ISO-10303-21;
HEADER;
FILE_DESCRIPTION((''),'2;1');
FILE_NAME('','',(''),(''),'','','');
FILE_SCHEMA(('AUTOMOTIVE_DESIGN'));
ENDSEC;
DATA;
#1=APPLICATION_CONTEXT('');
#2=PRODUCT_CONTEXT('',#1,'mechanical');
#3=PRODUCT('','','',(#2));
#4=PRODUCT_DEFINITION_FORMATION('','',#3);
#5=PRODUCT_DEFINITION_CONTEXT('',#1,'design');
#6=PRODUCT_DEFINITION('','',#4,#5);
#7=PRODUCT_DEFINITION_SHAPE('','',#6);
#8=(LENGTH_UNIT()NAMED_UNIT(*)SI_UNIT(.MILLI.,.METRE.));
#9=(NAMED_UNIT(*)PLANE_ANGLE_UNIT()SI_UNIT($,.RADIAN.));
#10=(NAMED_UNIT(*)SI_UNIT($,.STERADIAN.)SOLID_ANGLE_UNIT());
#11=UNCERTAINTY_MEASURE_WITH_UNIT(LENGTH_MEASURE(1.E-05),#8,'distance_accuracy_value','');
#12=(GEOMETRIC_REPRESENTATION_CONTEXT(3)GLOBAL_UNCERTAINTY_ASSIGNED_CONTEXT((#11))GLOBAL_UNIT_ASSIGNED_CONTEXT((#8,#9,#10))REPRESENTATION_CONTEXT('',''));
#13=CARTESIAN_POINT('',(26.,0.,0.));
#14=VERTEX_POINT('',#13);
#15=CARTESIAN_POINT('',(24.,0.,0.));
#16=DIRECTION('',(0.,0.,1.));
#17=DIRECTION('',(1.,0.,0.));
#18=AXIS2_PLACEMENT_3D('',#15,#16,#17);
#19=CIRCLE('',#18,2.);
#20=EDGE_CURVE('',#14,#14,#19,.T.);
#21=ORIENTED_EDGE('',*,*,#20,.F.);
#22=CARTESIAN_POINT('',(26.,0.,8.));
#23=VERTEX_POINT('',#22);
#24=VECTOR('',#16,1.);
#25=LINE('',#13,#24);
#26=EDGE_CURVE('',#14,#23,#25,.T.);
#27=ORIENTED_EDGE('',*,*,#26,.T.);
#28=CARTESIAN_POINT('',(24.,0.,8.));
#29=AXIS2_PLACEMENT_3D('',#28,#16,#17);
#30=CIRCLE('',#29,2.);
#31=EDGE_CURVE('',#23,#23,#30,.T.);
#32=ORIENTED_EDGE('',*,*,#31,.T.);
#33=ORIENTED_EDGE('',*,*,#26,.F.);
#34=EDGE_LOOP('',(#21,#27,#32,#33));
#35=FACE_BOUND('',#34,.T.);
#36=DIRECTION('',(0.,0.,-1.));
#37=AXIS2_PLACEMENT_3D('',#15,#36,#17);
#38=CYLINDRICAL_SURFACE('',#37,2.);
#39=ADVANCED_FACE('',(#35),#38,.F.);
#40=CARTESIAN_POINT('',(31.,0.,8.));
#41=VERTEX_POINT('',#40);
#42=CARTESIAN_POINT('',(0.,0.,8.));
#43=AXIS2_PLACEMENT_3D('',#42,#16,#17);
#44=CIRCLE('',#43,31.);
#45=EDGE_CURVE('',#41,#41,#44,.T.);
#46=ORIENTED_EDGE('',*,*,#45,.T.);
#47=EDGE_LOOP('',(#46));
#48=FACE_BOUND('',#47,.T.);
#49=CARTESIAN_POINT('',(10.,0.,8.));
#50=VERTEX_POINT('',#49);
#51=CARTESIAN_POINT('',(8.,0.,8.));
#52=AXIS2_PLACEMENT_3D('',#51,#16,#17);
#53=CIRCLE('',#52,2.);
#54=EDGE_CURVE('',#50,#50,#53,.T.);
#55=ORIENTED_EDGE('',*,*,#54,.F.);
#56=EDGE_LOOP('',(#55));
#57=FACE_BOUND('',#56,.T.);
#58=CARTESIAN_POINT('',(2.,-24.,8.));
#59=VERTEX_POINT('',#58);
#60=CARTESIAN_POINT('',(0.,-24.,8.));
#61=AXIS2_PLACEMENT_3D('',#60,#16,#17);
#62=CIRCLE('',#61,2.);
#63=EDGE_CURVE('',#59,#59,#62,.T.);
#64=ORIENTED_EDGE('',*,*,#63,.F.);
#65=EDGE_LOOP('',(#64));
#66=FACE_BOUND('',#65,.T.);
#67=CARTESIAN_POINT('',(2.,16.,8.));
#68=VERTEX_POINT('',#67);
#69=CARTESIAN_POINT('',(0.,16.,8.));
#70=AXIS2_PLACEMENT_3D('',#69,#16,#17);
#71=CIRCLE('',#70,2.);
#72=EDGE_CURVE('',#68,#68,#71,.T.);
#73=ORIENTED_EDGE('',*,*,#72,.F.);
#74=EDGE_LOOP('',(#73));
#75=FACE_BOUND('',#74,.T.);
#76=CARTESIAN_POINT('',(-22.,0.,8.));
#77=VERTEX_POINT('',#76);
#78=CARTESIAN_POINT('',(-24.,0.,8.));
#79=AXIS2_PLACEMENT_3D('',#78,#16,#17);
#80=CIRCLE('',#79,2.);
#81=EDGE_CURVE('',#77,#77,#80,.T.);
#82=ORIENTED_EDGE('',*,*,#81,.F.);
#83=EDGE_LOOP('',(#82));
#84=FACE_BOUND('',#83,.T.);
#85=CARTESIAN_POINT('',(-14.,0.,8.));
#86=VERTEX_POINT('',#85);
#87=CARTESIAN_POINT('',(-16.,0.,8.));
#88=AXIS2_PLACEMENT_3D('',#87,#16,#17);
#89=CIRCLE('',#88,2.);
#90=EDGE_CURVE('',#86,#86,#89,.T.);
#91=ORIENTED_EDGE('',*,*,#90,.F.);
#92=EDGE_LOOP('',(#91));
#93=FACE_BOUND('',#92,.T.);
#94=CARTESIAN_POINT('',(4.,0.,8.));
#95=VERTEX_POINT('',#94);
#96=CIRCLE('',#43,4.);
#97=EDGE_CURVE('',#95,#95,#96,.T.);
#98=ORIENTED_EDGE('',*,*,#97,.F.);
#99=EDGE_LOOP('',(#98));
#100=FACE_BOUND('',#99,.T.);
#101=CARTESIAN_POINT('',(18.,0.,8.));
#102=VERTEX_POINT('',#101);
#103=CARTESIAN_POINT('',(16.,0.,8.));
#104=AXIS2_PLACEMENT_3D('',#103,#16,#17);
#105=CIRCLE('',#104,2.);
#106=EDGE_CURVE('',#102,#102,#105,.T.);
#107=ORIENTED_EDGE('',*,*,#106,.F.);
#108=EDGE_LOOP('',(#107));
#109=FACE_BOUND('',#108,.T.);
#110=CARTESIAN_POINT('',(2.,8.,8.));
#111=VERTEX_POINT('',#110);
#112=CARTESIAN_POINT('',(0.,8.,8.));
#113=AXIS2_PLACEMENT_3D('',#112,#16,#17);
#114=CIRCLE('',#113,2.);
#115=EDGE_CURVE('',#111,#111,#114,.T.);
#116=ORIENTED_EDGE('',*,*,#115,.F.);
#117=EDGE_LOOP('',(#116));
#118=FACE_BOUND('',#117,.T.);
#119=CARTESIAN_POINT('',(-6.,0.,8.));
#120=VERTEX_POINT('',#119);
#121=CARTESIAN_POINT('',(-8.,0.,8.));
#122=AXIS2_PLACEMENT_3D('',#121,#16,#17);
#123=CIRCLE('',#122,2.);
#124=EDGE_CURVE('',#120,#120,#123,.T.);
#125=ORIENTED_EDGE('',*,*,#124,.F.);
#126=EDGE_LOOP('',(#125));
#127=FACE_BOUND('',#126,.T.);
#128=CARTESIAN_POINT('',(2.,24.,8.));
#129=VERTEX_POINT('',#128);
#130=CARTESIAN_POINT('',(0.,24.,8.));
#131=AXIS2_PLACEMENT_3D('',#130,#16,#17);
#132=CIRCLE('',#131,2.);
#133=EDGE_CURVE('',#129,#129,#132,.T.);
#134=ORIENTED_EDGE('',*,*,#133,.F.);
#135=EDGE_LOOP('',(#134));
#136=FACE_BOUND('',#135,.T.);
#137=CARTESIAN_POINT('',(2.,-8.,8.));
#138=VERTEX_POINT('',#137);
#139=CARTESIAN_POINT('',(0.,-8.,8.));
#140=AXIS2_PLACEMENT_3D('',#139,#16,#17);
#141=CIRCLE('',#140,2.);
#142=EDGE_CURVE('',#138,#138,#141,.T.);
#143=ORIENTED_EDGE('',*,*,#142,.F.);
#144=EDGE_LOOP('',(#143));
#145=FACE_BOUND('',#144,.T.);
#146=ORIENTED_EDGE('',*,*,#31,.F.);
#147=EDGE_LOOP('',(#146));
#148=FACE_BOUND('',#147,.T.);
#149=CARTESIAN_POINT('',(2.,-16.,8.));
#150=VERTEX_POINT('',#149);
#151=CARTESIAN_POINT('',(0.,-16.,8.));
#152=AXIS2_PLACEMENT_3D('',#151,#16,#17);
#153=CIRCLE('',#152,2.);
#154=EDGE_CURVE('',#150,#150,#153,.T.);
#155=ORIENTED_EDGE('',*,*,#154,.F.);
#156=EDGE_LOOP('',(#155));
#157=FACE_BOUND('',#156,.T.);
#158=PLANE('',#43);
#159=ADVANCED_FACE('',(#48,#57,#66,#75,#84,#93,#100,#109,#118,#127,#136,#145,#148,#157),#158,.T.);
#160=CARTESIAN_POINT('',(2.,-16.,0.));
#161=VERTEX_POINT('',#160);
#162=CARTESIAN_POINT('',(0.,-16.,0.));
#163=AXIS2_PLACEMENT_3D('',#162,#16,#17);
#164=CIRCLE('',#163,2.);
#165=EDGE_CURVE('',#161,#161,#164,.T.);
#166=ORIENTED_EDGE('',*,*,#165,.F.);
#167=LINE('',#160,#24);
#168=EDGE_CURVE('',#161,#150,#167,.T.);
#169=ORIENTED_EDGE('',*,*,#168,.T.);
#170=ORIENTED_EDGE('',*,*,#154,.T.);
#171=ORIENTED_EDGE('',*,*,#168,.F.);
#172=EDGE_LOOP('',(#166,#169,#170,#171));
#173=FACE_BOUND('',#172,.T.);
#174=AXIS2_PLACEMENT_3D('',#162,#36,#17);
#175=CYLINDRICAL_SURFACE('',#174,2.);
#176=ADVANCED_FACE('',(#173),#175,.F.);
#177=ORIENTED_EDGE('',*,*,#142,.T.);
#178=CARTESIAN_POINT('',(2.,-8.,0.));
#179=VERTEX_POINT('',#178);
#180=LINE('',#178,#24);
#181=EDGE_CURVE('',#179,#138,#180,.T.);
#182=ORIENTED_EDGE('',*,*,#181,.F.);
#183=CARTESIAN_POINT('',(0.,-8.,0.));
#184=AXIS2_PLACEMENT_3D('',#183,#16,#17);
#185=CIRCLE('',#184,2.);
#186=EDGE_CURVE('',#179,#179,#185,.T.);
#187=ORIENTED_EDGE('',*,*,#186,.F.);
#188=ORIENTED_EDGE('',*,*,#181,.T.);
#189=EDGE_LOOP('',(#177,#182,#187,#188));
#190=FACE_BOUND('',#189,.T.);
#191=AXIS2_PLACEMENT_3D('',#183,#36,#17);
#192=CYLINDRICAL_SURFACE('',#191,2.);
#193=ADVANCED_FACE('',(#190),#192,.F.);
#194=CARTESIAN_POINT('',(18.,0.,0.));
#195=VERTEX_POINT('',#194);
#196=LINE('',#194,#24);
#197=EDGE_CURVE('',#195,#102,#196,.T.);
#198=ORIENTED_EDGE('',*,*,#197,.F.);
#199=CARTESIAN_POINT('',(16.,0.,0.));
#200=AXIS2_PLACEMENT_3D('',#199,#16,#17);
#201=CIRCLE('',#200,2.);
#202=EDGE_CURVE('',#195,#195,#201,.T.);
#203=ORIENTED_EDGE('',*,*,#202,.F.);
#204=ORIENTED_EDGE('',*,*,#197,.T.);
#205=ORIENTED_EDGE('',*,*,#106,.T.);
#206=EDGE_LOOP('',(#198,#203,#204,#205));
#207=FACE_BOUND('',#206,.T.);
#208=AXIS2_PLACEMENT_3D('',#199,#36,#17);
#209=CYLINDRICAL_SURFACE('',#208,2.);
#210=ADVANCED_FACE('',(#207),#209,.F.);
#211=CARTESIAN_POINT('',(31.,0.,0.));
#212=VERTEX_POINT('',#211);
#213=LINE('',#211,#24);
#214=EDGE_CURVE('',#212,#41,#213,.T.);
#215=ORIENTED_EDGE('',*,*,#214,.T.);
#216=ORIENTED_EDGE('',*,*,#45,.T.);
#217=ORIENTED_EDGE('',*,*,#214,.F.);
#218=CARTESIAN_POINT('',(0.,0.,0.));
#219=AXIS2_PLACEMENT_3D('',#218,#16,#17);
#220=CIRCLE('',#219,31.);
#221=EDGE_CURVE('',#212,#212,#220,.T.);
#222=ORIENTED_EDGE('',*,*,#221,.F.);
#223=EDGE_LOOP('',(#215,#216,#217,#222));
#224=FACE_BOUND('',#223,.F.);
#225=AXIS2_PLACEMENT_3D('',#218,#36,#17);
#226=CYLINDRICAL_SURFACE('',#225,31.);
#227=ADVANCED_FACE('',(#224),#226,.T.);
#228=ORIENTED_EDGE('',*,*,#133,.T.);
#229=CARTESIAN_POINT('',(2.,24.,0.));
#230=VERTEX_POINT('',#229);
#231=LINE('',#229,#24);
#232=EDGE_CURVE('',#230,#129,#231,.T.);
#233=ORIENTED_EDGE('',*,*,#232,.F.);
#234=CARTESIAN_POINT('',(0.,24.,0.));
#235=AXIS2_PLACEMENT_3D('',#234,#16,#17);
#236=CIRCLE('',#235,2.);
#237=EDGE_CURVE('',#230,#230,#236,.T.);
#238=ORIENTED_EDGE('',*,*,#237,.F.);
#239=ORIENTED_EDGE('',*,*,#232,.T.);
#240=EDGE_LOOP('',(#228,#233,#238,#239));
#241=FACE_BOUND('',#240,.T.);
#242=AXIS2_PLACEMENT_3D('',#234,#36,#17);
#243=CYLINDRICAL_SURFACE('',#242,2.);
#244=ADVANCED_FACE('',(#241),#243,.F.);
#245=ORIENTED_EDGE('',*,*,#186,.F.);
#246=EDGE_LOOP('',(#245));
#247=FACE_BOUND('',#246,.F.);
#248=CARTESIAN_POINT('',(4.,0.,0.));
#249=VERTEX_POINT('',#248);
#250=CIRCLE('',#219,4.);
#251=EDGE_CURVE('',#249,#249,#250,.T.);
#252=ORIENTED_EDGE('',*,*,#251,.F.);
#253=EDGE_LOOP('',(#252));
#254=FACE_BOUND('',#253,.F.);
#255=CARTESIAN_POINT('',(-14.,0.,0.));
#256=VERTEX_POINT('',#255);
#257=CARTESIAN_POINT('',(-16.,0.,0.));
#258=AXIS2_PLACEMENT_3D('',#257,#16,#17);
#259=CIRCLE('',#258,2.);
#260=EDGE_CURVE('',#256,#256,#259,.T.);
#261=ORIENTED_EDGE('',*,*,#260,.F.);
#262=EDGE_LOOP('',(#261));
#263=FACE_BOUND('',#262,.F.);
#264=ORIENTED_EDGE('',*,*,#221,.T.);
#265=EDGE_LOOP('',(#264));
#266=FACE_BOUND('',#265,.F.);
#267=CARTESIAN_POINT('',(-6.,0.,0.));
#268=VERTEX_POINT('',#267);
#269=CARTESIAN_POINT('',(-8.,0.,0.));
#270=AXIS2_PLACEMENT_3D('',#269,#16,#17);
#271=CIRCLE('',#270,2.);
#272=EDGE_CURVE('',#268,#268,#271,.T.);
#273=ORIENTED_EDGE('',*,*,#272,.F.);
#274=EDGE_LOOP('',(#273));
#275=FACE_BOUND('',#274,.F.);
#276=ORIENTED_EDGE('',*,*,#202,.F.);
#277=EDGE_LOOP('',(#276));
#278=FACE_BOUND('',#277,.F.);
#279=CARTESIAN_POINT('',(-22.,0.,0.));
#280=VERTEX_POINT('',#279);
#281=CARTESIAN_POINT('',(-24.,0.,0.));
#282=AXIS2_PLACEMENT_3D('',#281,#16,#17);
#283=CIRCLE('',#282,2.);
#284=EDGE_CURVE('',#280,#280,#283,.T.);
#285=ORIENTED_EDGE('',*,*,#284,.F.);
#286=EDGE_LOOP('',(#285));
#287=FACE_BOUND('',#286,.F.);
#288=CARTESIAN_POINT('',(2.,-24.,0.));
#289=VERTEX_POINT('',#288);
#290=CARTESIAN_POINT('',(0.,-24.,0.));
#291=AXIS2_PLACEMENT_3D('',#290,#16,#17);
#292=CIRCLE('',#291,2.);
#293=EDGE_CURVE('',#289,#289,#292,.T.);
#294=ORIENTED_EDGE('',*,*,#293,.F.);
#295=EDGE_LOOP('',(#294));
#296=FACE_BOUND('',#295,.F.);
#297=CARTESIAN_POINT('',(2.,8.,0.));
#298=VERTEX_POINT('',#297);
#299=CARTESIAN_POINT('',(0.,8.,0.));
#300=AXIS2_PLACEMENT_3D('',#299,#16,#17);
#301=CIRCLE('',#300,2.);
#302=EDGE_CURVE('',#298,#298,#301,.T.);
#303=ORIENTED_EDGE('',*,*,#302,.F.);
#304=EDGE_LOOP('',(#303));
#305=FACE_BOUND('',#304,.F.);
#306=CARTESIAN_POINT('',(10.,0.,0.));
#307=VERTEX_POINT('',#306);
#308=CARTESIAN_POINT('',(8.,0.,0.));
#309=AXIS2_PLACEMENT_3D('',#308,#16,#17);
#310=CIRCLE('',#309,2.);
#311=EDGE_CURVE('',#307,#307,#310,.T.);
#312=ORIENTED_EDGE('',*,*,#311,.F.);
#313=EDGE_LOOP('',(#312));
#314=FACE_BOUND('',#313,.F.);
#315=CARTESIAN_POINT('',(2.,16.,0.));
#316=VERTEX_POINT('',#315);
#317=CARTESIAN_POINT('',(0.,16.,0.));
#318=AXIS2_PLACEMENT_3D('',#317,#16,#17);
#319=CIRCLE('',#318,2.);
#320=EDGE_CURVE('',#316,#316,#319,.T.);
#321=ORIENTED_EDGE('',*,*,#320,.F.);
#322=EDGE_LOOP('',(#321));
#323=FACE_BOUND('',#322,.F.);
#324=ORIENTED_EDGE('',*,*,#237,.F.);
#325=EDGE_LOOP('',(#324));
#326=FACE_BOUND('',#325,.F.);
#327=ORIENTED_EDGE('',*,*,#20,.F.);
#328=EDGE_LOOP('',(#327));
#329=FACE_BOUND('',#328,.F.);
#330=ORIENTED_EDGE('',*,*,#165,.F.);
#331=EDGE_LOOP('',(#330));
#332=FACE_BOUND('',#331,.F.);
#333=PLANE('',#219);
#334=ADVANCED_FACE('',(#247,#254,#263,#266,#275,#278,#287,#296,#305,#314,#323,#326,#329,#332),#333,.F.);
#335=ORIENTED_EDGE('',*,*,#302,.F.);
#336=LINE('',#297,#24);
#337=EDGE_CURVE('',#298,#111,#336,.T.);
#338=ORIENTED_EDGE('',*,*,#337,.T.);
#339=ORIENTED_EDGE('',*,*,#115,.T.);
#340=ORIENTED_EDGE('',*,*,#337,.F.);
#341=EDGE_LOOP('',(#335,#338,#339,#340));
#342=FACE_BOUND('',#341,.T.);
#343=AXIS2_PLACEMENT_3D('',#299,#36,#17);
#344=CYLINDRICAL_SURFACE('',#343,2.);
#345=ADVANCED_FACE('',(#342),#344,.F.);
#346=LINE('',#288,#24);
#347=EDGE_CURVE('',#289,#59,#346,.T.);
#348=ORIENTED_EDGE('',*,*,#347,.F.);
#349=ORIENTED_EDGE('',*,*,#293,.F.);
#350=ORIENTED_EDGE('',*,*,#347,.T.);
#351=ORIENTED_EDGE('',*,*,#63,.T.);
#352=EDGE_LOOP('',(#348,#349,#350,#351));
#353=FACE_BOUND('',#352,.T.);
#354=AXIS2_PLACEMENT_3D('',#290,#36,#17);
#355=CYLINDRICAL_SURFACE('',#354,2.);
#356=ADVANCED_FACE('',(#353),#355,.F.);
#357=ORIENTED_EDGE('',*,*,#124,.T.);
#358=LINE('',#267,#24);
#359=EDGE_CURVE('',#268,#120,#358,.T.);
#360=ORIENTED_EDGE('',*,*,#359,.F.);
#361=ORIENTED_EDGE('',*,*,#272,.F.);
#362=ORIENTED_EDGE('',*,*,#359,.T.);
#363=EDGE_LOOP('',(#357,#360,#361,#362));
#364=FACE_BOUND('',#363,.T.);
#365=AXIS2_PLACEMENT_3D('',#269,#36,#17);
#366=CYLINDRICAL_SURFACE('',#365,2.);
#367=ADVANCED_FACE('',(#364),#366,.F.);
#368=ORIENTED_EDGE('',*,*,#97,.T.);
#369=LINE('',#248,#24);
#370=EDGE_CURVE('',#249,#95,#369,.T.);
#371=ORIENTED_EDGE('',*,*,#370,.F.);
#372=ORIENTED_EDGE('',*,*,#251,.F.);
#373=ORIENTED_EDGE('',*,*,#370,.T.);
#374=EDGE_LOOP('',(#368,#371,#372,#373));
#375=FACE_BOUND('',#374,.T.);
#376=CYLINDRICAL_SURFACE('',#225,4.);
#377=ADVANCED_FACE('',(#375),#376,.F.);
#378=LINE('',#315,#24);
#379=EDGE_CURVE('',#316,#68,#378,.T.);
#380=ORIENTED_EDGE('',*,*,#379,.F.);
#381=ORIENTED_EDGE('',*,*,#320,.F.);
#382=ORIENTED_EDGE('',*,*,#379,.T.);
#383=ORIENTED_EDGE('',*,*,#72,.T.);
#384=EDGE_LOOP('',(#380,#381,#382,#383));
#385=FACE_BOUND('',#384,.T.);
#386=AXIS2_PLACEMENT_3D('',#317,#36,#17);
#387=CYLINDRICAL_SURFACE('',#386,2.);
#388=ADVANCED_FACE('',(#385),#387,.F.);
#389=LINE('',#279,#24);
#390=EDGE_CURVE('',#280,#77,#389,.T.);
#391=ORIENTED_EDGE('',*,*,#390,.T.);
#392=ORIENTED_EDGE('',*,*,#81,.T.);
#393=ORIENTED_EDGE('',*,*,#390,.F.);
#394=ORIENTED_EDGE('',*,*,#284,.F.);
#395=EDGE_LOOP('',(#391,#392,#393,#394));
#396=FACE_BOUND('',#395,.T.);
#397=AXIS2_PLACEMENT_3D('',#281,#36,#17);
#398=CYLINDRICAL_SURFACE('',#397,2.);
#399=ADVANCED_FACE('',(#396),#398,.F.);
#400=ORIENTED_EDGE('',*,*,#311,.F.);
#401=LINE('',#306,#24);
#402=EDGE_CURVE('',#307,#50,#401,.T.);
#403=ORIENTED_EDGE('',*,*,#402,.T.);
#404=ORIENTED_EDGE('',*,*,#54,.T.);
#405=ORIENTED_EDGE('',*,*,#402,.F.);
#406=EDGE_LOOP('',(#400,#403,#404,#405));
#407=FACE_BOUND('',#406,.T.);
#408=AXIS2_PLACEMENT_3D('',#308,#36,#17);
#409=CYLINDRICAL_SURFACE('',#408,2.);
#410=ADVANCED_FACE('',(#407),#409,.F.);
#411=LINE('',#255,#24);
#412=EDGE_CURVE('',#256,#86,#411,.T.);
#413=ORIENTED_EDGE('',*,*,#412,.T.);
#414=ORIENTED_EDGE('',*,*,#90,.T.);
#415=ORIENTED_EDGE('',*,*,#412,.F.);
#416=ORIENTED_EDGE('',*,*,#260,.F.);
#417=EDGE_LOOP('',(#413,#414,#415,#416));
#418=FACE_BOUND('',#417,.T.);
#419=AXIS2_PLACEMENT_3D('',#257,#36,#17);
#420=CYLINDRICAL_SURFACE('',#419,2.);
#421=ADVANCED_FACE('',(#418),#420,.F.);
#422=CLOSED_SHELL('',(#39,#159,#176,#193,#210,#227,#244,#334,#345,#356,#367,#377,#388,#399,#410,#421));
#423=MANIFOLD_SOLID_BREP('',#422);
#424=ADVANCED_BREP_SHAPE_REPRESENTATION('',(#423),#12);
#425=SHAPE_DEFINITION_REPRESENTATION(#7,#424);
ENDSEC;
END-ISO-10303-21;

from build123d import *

# Parameters (mm, degrees)
F0_R     = 31
F0_R_2   = 2
F0_R_3   = 4
F1_DEPTH = 8


with BuildPart() as f1:
    # F0 (on Top) → F1 (new body)
    with BuildSketch(Plane.XY):
        Circle(F0_R)
        with Locations((0, -24)):
            Circle(F0_R_2, mode=Mode.SUBTRACT)
        with Locations((0, -16)):
            Circle(F0_R_2, mode=Mode.SUBTRACT)
        with Locations((0, -8)):
            Circle(F0_R_2, mode=Mode.SUBTRACT)
        with Locations((-24, 0)):
            Circle(F0_R_2, mode=Mode.SUBTRACT)
        with Locations((-16, 0)):
            Circle(F0_R_2, mode=Mode.SUBTRACT)
        with Locations((-8, 0)):
            Circle(F0_R_2, mode=Mode.SUBTRACT)
        Circle(F0_R_3, mode=Mode.SUBTRACT)
        with Locations((8, 0)):
            Circle(F0_R_2, mode=Mode.SUBTRACT)
        with Locations((0, 8)):
            Circle(F0_R_2, mode=Mode.SUBTRACT)
        with Locations((16, 0)):
            Circle(F0_R_2, mode=Mode.SUBTRACT)
        with Locations((24, 0)):
            Circle(F0_R_2, mode=Mode.SUBTRACT)
        with Locations((0, 16)):
            Circle(F0_R_2, mode=Mode.SUBTRACT)
        with Locations((0, 24)):
            Circle(F0_R_2, mode=Mode.SUBTRACT)
    extrude(amount=F1_DEPTH)


solid = f1.part
